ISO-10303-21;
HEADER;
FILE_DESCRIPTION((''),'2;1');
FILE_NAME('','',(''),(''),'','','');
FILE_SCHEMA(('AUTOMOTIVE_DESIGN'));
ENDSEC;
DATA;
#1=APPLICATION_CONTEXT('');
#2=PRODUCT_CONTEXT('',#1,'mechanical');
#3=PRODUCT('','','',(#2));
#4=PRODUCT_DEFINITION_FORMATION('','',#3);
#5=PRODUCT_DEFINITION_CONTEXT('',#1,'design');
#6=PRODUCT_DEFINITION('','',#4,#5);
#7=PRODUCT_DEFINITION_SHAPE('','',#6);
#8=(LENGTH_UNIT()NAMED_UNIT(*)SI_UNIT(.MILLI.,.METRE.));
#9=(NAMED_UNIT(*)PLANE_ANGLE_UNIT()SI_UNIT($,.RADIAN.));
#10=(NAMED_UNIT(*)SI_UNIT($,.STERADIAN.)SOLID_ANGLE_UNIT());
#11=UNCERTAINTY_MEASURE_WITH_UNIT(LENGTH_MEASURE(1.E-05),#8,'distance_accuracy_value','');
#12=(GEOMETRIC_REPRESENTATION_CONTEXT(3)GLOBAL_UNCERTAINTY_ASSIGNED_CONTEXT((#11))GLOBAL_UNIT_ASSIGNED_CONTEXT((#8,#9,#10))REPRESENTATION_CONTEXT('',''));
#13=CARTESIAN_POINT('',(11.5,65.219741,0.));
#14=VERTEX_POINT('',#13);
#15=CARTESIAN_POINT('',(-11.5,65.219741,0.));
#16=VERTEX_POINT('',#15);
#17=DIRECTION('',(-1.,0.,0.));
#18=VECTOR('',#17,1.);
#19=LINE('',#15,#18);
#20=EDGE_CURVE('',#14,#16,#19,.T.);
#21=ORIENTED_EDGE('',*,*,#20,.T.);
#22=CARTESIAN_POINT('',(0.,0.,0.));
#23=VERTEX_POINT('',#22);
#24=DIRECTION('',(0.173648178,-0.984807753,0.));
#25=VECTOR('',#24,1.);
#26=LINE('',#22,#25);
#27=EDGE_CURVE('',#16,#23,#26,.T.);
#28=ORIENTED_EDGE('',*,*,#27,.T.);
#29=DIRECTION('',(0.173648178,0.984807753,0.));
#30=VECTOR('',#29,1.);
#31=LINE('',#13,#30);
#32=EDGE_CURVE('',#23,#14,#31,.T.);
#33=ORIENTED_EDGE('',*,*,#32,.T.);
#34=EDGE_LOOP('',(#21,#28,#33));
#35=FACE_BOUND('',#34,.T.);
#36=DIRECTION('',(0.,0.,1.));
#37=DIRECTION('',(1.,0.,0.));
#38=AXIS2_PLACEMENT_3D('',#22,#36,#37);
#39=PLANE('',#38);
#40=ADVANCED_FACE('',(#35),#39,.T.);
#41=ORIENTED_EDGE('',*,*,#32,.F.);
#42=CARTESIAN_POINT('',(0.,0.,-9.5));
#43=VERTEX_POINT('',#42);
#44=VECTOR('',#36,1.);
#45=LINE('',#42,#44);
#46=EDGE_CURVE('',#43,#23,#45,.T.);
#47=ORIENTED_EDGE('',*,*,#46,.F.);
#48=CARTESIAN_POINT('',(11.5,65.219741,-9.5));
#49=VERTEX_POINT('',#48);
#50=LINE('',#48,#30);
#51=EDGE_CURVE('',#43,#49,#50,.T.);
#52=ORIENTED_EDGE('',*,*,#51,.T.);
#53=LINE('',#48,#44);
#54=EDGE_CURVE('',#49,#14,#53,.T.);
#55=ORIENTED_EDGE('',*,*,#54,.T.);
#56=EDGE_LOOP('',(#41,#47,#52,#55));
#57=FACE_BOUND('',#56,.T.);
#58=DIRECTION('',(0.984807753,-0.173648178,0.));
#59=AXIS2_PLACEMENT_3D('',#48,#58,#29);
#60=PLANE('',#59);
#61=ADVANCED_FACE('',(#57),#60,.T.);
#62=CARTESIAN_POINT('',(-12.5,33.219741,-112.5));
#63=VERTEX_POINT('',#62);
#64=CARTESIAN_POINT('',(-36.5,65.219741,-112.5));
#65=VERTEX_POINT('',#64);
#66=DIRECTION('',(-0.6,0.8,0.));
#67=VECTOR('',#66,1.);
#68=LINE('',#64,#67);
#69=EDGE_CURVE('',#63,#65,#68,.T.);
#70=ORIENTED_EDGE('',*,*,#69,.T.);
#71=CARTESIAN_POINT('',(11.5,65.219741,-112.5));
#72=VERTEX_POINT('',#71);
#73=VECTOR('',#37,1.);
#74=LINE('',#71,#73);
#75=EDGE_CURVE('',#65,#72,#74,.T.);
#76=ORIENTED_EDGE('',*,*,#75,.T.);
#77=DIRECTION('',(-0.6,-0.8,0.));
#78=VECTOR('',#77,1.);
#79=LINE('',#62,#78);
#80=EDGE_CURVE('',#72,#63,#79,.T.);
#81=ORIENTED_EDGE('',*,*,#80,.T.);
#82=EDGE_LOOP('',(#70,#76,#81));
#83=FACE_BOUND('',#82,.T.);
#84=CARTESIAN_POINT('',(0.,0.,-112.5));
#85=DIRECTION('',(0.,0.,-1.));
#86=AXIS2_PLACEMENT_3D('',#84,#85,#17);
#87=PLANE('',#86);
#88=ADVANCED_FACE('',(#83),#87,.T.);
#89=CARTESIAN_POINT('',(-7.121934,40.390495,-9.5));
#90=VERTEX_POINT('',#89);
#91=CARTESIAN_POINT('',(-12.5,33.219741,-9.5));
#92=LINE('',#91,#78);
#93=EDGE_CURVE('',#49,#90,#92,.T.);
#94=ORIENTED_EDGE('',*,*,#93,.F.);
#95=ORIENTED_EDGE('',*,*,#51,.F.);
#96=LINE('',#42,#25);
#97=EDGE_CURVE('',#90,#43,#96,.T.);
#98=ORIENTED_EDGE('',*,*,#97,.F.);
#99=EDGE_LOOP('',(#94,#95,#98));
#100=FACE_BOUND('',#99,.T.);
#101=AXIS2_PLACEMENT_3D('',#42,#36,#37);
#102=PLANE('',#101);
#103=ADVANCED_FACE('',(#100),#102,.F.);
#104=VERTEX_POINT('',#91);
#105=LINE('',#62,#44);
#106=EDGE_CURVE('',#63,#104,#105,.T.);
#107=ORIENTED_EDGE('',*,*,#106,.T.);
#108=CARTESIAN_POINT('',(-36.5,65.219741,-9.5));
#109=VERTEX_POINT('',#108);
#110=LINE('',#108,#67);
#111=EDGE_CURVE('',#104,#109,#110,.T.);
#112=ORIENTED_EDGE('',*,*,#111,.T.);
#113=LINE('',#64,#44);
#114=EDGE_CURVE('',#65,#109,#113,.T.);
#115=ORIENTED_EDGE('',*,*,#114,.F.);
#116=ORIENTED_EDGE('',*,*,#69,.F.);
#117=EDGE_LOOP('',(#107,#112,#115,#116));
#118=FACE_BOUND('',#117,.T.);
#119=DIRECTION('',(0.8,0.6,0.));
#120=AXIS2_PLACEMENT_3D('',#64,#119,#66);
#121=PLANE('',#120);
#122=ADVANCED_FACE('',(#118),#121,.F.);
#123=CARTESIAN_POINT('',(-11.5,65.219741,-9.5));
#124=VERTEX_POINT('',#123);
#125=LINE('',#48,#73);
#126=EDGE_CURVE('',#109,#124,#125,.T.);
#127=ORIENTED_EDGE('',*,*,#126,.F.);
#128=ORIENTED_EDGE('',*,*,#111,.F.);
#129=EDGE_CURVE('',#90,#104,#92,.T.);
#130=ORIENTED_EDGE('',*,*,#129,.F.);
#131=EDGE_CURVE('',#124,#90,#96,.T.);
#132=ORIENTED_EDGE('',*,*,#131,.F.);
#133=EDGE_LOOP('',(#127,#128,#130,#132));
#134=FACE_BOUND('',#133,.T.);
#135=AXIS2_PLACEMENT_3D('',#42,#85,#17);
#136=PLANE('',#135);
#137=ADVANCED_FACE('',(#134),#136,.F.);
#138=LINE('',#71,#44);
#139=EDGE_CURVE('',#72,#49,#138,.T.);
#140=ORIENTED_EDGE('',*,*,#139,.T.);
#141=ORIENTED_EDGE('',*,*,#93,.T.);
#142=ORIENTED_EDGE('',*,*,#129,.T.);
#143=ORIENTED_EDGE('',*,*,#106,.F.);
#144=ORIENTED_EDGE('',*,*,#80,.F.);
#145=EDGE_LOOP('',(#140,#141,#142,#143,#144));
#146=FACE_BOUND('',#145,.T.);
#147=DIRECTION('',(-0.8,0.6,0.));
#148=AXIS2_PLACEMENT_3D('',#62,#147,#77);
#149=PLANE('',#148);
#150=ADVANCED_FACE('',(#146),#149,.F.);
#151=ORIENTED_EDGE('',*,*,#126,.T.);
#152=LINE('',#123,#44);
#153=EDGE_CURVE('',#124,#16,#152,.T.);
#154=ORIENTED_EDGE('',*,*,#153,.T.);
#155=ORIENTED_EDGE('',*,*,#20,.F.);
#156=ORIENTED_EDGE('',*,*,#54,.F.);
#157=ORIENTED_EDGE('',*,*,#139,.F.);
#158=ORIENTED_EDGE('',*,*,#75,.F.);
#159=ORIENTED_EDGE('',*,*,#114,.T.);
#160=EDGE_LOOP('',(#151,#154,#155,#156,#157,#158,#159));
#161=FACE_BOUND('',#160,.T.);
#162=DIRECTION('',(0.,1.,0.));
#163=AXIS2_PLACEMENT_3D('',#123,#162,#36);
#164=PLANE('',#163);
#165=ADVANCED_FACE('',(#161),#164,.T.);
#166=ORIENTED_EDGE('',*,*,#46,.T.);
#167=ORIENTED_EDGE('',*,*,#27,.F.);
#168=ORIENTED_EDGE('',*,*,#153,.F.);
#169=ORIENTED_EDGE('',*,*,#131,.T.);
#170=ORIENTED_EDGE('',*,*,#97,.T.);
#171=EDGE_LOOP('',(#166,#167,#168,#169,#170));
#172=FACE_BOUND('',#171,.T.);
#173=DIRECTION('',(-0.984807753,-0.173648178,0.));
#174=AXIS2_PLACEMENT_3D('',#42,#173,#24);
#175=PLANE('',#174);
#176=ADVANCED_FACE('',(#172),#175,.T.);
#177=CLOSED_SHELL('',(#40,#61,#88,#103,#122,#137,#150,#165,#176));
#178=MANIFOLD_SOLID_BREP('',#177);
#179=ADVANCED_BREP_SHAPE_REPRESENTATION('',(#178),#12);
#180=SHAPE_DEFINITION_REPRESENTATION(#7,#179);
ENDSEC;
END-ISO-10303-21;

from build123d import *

# Parameters (mm, degrees)
BOSS_EXTRUDE1_DEPTH = 9.5
BOSS_EXTRUDE2_DEPTH = 103


with BuildPart() as part:
    # Sketch1 → Boss-Extrude1 (new body)
    with BuildSketch(Plane.XY):
        Polygon((0, 0), (-11.5, 65.219740926), (11.5, 65.219740926), align=None)
    extrude(amount=-BOSS_EXTRUDE1_DEPTH)

    # Sketch2 → Boss-Extrude2 (add)
    with BuildSketch(Plane(origin=(0, 0, -9.5), x_dir=(-1, 0, 0), z_dir=(0, 0, -1))):
        Polygon((-11.5, 65.219740926), (36.5, 65.219740926), (12.5, 33.219740926), align=None)
    extrude(amount=BOSS_EXTRUDE2_DEPTH)


solid = part.part
